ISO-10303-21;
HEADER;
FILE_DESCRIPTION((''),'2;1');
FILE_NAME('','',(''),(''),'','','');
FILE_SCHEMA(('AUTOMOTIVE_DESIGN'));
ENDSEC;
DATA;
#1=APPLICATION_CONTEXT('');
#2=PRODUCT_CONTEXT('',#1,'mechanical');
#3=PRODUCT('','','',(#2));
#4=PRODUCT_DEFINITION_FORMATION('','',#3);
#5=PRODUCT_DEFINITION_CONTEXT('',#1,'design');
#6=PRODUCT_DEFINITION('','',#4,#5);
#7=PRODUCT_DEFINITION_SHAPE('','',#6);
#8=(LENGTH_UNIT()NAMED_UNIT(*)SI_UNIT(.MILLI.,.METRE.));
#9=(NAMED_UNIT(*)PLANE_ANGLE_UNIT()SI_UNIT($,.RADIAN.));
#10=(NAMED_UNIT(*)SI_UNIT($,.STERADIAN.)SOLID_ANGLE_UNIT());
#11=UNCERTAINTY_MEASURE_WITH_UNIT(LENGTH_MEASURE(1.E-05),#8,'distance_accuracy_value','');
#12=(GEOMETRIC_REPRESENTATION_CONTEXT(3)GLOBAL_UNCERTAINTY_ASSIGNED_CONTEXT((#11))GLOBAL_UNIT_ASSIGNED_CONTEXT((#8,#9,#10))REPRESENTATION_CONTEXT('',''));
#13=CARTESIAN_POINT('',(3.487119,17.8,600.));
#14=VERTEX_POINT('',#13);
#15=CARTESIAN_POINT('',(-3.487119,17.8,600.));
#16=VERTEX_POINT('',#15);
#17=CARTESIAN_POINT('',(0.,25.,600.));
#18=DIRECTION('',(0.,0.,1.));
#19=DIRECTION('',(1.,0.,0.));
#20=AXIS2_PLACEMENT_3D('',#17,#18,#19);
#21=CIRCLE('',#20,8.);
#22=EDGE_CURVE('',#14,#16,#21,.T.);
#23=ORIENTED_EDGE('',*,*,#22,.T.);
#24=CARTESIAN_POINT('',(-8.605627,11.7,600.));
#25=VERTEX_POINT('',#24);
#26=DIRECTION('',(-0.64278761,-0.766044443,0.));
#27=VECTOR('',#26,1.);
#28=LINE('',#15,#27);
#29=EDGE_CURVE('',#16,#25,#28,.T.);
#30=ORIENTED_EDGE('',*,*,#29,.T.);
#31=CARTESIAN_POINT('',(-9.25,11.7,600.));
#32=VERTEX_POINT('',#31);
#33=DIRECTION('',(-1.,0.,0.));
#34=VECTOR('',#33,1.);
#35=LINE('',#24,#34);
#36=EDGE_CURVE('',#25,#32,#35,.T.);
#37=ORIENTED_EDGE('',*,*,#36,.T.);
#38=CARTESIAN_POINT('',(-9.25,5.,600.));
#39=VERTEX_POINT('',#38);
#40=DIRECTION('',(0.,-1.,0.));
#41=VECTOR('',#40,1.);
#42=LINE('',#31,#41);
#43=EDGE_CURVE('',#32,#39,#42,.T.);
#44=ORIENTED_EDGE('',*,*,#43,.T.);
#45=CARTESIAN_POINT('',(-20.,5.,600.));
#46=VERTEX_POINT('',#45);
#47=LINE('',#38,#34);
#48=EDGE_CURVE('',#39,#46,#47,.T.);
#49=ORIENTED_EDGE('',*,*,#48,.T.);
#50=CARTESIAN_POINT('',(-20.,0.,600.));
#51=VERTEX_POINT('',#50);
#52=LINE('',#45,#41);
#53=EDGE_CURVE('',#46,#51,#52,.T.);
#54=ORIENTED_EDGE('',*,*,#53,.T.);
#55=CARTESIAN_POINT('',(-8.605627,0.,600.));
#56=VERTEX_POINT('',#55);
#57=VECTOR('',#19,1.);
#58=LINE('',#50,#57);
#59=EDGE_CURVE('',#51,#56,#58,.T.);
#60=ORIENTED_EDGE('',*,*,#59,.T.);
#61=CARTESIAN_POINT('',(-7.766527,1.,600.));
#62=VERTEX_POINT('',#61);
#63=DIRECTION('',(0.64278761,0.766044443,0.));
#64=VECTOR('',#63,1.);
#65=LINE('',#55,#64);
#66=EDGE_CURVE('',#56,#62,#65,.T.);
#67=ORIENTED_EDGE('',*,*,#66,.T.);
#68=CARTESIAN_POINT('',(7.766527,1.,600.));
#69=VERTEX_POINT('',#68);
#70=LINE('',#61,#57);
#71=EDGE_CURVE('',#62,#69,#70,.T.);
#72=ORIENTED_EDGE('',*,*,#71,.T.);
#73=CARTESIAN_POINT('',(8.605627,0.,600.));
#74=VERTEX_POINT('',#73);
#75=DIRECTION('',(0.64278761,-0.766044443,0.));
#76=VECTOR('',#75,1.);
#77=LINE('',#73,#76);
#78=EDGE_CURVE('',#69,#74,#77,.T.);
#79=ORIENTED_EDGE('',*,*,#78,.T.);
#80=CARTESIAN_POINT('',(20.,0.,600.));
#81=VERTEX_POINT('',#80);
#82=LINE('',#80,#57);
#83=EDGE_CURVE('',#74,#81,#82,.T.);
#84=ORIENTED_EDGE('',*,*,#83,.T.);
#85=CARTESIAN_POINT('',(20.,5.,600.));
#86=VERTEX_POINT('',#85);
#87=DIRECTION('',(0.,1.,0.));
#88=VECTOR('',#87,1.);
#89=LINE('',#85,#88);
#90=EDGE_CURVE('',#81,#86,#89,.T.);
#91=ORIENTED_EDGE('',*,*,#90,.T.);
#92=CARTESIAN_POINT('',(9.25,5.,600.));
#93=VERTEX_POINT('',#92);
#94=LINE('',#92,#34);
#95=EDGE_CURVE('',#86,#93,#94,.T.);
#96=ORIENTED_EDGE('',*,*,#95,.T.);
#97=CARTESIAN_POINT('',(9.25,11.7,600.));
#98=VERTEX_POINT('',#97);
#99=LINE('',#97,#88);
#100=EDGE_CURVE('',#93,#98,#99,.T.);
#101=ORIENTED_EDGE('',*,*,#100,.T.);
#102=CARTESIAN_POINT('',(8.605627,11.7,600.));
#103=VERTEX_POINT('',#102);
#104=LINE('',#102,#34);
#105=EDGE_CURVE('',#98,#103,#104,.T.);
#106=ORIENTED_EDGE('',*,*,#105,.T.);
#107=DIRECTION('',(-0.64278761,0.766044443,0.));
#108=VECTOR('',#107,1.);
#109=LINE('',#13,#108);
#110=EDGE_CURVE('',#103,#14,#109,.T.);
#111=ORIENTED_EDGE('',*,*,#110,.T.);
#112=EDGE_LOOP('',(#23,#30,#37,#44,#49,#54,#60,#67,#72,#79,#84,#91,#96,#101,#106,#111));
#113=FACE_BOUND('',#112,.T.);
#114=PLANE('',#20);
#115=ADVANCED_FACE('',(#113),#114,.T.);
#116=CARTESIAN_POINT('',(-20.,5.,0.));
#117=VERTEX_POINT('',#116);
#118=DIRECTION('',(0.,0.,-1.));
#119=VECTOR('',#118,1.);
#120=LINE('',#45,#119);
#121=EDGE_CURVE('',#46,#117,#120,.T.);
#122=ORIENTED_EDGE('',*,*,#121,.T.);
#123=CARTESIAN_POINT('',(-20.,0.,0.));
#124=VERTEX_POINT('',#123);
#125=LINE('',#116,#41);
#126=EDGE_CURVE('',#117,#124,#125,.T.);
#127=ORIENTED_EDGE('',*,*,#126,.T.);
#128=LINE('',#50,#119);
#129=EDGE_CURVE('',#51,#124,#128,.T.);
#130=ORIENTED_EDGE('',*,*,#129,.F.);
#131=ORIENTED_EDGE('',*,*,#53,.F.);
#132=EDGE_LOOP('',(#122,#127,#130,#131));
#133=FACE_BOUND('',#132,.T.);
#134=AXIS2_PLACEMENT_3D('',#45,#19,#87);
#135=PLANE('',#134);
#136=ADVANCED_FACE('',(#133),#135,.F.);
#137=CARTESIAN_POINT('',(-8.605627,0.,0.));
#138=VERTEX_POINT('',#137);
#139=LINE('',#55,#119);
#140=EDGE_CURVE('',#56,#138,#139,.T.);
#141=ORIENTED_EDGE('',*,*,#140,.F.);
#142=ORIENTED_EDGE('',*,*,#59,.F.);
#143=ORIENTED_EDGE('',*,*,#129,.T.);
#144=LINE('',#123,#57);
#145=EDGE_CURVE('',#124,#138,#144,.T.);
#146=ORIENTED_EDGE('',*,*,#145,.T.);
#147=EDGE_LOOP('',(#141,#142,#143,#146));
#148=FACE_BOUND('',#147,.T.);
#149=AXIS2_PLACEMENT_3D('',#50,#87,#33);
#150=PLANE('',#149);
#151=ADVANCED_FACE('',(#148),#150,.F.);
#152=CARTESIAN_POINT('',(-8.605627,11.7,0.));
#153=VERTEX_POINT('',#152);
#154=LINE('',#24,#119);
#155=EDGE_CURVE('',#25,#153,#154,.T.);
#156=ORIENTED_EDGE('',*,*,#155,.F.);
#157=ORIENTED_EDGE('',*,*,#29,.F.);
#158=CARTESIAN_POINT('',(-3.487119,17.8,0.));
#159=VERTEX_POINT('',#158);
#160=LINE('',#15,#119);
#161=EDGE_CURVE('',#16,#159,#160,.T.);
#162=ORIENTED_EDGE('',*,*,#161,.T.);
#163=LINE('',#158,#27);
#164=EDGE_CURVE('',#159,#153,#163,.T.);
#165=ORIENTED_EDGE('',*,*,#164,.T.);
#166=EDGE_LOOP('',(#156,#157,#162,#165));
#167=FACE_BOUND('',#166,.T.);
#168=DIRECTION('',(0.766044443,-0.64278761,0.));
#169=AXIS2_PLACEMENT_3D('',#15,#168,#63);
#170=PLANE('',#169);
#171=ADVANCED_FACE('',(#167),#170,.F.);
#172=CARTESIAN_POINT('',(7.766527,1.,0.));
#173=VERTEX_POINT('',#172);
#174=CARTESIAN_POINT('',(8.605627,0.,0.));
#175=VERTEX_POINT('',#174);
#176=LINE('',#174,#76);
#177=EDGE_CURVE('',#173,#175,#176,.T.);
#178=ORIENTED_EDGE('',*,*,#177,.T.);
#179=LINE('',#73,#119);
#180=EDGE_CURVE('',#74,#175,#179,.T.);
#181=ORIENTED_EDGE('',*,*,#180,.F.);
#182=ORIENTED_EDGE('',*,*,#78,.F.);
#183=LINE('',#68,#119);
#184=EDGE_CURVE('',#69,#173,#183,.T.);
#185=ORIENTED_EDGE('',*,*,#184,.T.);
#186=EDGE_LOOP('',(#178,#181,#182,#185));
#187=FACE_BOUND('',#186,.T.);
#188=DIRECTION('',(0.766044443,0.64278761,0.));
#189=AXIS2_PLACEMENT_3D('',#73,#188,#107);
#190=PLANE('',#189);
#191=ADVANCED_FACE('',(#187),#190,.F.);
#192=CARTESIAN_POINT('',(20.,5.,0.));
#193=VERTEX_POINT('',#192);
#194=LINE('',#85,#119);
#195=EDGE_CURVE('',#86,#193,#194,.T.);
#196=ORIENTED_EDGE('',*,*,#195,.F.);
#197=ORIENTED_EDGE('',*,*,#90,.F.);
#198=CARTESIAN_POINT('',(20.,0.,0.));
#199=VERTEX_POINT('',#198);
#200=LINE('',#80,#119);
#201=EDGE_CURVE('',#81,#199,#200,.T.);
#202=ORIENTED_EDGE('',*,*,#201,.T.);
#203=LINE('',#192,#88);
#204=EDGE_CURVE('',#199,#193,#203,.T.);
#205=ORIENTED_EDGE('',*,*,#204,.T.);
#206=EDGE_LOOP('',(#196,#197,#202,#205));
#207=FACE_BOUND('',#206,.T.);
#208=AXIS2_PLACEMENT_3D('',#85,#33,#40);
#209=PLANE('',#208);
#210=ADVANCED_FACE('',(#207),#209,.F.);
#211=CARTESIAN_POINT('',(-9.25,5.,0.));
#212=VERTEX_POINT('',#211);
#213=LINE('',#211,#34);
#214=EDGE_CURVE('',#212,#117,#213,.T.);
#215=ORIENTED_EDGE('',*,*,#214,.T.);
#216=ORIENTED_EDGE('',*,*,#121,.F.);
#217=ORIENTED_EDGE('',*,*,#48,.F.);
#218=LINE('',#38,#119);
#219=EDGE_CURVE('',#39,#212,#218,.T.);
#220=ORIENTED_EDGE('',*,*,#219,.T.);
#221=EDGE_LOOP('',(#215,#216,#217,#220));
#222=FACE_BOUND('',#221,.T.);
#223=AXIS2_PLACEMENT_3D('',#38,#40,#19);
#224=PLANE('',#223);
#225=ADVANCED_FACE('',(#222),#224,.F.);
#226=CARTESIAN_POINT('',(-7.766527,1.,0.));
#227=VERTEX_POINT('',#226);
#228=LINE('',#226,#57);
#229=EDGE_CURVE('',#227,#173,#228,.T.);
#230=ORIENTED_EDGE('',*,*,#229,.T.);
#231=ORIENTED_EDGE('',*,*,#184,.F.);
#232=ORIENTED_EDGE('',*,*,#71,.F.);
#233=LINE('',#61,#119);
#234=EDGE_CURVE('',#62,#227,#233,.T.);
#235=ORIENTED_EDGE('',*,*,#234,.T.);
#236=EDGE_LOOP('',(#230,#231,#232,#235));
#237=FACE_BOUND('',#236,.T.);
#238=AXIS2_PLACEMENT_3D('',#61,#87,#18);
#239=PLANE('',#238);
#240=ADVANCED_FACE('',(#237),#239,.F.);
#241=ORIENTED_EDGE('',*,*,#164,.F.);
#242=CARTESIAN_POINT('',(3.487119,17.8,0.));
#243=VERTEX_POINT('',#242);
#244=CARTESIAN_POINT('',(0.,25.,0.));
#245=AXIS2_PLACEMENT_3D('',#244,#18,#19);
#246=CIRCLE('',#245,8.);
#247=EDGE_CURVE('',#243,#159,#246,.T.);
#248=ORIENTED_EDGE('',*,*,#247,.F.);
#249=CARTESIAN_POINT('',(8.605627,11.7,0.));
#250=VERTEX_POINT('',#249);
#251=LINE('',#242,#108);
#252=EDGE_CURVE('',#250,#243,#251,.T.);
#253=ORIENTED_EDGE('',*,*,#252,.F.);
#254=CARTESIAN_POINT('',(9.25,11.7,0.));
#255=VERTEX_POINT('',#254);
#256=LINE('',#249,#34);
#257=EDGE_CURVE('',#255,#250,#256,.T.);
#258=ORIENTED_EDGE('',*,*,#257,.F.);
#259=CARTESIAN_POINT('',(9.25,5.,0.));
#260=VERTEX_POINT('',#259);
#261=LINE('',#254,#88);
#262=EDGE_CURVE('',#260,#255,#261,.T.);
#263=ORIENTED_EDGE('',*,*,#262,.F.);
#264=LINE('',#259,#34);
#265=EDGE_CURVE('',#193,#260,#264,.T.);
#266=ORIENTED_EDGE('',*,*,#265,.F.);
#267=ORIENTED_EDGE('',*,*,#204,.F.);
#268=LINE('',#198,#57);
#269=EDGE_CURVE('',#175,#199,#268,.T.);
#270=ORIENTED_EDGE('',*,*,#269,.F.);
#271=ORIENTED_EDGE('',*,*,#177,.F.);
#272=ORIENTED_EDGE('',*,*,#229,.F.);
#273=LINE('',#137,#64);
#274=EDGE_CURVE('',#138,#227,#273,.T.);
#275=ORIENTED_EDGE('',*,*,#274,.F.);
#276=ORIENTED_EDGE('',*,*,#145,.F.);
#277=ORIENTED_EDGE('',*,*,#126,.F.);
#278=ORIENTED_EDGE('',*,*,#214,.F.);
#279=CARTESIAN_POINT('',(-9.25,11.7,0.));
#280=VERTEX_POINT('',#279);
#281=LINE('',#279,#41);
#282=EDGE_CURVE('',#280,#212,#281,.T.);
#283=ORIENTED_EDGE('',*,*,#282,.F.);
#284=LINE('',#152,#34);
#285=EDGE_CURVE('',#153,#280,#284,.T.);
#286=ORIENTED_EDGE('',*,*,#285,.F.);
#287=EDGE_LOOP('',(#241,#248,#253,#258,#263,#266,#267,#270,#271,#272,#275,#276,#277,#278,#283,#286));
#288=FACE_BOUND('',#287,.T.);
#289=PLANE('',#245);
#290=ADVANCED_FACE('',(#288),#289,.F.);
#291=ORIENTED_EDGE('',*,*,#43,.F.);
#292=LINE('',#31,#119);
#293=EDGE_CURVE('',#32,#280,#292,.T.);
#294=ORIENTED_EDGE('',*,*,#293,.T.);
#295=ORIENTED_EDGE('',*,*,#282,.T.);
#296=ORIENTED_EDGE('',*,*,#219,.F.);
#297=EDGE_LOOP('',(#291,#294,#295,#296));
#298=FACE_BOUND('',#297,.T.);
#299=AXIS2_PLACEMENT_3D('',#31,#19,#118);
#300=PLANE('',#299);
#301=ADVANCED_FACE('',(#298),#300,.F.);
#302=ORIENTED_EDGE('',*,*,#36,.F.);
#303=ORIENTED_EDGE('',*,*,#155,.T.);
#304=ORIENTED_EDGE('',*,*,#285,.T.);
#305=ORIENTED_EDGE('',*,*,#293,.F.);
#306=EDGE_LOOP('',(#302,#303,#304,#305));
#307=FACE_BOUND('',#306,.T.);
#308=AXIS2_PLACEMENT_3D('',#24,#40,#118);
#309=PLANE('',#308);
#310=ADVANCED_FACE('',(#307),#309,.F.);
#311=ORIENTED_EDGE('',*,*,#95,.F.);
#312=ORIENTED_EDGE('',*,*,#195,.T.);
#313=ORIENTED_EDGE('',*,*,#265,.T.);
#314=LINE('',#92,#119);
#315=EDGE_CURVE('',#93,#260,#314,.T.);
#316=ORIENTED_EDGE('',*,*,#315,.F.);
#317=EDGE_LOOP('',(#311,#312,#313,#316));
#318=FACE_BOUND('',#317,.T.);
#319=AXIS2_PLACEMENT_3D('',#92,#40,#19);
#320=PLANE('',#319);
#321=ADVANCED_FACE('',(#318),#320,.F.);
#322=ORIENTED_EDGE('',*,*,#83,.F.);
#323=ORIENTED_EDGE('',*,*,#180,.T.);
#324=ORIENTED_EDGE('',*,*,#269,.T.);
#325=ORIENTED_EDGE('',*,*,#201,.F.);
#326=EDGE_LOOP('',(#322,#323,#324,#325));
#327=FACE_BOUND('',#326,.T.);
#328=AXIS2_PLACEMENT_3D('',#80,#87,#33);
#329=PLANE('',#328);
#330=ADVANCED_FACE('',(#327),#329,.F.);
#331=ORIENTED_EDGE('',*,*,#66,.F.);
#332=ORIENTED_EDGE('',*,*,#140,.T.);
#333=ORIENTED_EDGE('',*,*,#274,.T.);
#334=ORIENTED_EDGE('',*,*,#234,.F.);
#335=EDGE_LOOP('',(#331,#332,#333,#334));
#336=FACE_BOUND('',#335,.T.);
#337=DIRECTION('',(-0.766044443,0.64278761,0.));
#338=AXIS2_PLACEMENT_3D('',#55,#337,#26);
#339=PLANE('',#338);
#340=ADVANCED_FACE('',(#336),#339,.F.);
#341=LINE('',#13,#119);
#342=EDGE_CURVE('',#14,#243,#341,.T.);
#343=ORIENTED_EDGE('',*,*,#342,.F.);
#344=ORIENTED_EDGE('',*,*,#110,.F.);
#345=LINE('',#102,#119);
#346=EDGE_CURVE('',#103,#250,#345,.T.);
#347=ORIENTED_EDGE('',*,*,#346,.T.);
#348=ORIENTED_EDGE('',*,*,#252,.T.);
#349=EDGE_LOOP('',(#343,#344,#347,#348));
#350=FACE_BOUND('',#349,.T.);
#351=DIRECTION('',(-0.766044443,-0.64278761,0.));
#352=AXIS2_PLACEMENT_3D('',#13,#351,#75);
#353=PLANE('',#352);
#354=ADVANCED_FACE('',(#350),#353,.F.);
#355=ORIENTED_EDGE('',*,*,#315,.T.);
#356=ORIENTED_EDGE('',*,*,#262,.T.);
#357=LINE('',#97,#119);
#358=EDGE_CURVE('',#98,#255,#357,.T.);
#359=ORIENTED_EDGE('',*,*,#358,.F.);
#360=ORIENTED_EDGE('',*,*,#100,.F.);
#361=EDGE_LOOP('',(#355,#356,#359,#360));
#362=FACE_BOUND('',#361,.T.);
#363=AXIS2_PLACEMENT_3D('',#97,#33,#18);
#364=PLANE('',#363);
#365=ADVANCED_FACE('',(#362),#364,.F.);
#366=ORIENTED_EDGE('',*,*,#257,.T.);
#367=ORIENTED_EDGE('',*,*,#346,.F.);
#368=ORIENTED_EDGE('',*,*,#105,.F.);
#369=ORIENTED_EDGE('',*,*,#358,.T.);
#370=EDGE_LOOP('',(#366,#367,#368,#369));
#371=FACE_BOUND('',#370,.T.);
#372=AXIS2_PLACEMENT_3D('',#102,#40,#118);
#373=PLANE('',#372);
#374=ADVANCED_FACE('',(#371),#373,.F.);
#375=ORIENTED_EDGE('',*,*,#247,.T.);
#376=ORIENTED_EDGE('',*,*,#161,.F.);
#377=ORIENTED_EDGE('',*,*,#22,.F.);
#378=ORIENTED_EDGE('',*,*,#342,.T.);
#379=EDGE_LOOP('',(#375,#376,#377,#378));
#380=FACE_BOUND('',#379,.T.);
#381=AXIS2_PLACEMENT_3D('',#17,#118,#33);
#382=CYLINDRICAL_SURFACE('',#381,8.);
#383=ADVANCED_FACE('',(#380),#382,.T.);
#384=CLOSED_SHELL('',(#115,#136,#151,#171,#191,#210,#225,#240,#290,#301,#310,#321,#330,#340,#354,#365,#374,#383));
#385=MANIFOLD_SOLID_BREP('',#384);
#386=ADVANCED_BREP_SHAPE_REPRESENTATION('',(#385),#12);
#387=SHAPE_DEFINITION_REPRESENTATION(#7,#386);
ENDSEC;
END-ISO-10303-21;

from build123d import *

# Parameters (mm, degrees)
DODANIE_WYCI_GNI_CIE1_DEPTH = 600


with BuildPart() as part:
    # Szkic1 → Dodanie-wyciągnięcie1 (new body)
    with BuildSketch(Plane.XY):
        with BuildLine():
            Line((-3.487119155, 17.8), (-8.605626905, 11.7))
            Line((-8.605626905, 11.7), (-9.25, 11.7))
            Line((-9.25, 11.7), (-9.25, 5))
            Line((-9.25, 5), (-20, 5))
            Line((-20, 5), (-20, 0))
            Line((-20, 0), (-8.605626905, 0))
            Line((-8.605626905, 0), (-7.766527274, 1))
            Line((-7.766527274, 1), (7.766527274, 1))
            Line((7.766527274, 1), (8.605626905, 0))
            Line((8.605626905, 0), (20, 0))
            Line((20, 0), (20, 5))
            Line((20, 5), (9.25, 5))
            Line((9.25, 5), (9.25, 11.7))
            Line((9.25, 11.7), (8.605626905, 11.7))
            Line((8.605626905, 11.7), (3.487119155, 17.8))
            ThreePointArc((3.487119155, 17.8), (0, 33), (-3.487119155, 17.8))
        make_face()
    extrude(amount=DODANIE_WYCI_GNI_CIE1_DEPTH)


solid = part.part
